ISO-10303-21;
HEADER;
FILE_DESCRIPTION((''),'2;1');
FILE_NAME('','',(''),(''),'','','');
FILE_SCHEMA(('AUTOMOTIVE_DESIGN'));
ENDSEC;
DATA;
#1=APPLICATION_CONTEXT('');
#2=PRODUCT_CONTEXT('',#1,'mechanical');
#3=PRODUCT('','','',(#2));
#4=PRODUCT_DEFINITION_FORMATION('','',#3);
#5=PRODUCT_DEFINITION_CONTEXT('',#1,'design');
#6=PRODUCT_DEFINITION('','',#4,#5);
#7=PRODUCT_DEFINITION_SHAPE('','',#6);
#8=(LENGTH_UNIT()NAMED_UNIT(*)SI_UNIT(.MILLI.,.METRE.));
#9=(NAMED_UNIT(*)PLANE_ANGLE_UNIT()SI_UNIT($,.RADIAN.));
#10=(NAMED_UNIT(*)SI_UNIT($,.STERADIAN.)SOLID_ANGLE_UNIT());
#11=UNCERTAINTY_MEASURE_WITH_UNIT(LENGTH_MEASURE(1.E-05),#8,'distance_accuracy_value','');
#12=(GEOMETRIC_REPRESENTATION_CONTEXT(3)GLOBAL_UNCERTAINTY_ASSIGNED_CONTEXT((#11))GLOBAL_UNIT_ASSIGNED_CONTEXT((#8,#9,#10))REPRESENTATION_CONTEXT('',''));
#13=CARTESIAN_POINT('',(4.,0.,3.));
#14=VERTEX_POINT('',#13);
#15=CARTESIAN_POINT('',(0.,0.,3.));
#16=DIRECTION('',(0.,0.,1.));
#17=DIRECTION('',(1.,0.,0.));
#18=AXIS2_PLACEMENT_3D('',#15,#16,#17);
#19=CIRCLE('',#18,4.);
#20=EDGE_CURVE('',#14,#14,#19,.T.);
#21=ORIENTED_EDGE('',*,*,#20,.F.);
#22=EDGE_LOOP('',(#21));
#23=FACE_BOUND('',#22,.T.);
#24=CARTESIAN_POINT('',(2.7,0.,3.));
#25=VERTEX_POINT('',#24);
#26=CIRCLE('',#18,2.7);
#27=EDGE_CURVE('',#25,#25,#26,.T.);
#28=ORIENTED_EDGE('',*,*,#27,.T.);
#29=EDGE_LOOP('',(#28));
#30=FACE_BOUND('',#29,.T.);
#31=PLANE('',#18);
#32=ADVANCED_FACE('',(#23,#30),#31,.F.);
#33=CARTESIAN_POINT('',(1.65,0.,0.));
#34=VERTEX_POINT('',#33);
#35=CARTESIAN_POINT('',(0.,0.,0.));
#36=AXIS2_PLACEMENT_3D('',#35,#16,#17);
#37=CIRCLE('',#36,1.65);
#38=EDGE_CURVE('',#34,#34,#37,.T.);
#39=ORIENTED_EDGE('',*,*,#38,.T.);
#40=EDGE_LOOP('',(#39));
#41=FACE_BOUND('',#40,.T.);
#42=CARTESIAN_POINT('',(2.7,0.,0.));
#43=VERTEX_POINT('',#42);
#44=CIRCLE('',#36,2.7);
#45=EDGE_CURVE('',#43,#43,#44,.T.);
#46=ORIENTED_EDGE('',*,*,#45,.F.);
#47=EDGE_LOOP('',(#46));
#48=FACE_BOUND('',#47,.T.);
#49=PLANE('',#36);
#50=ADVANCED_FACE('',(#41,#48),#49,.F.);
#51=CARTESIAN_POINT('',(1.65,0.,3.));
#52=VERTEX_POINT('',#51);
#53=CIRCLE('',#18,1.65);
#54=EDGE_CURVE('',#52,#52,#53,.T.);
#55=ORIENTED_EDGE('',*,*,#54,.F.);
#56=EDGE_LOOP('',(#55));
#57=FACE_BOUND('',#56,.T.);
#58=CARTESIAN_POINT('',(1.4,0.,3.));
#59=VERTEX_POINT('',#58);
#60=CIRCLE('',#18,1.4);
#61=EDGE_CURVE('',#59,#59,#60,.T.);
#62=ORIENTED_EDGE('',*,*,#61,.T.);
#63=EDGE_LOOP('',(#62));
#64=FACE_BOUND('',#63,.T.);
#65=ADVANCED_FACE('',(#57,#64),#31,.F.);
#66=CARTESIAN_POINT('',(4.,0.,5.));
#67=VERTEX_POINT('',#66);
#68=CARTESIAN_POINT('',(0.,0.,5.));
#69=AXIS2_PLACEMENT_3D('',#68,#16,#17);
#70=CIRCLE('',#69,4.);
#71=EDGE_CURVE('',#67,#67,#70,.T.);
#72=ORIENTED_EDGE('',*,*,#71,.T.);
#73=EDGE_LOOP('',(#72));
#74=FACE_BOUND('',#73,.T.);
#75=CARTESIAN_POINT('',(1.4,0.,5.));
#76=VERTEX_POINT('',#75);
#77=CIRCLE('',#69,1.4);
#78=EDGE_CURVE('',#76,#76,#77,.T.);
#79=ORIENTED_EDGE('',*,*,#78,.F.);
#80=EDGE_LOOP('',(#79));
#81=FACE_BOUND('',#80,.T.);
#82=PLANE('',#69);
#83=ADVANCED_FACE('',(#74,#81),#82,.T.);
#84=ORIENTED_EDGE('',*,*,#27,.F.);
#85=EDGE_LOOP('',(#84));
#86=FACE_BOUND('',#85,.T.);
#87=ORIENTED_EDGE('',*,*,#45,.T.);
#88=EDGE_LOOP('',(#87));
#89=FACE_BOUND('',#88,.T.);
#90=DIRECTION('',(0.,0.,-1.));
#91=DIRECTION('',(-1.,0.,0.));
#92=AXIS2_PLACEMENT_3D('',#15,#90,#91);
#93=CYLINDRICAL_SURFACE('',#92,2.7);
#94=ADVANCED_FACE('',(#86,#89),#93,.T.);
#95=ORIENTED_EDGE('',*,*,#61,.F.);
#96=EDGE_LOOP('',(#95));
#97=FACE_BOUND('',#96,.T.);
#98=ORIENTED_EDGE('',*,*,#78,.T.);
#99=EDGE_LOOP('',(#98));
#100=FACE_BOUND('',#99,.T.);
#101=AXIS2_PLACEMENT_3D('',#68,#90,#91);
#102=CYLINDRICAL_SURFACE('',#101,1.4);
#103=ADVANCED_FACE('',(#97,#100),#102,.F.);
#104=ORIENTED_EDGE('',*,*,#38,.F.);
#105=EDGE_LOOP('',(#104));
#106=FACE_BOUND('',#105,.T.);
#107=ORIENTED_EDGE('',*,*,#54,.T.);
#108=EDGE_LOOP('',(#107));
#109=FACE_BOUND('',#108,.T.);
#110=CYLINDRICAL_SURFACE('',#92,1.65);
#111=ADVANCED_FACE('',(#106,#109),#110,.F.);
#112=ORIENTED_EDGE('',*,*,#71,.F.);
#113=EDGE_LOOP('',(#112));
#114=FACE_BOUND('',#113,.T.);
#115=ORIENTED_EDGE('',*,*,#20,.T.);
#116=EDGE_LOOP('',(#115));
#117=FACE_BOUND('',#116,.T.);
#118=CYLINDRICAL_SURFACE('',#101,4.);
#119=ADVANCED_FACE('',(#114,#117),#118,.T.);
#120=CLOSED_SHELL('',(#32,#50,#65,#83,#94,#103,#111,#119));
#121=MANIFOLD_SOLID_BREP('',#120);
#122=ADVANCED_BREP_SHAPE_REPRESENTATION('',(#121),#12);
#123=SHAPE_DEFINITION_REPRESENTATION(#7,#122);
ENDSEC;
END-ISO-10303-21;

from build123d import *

# Parameters (mm, degrees)
SKETCH1_R           = 2.7
SKETCH1_R_2         = 1.65
BOSS_EXTRUDE1_DEPTH = 3
SKETCH2_R           = 4
SKETCH2_R_2         = 1.4
BOSS_EXTRUDE2_DEPTH = 2


with BuildPart() as part:
    # Sketch1 → Boss-Extrude1 (new body)
    with BuildSketch(Plane.XY):
        Circle(SKETCH1_R)
        Circle(SKETCH1_R_2, mode=Mode.SUBTRACT)
    extrude(amount=BOSS_EXTRUDE1_DEPTH)

    # Sketch2 → Boss-Extrude2 (add)
    with BuildSketch(Plane.XY.offset(3)):
        Circle(SKETCH2_R)
        Circle(SKETCH2_R_2, mode=Mode.SUBTRACT)
    extrude(amount=BOSS_EXTRUDE2_DEPTH)


solid = part.part
